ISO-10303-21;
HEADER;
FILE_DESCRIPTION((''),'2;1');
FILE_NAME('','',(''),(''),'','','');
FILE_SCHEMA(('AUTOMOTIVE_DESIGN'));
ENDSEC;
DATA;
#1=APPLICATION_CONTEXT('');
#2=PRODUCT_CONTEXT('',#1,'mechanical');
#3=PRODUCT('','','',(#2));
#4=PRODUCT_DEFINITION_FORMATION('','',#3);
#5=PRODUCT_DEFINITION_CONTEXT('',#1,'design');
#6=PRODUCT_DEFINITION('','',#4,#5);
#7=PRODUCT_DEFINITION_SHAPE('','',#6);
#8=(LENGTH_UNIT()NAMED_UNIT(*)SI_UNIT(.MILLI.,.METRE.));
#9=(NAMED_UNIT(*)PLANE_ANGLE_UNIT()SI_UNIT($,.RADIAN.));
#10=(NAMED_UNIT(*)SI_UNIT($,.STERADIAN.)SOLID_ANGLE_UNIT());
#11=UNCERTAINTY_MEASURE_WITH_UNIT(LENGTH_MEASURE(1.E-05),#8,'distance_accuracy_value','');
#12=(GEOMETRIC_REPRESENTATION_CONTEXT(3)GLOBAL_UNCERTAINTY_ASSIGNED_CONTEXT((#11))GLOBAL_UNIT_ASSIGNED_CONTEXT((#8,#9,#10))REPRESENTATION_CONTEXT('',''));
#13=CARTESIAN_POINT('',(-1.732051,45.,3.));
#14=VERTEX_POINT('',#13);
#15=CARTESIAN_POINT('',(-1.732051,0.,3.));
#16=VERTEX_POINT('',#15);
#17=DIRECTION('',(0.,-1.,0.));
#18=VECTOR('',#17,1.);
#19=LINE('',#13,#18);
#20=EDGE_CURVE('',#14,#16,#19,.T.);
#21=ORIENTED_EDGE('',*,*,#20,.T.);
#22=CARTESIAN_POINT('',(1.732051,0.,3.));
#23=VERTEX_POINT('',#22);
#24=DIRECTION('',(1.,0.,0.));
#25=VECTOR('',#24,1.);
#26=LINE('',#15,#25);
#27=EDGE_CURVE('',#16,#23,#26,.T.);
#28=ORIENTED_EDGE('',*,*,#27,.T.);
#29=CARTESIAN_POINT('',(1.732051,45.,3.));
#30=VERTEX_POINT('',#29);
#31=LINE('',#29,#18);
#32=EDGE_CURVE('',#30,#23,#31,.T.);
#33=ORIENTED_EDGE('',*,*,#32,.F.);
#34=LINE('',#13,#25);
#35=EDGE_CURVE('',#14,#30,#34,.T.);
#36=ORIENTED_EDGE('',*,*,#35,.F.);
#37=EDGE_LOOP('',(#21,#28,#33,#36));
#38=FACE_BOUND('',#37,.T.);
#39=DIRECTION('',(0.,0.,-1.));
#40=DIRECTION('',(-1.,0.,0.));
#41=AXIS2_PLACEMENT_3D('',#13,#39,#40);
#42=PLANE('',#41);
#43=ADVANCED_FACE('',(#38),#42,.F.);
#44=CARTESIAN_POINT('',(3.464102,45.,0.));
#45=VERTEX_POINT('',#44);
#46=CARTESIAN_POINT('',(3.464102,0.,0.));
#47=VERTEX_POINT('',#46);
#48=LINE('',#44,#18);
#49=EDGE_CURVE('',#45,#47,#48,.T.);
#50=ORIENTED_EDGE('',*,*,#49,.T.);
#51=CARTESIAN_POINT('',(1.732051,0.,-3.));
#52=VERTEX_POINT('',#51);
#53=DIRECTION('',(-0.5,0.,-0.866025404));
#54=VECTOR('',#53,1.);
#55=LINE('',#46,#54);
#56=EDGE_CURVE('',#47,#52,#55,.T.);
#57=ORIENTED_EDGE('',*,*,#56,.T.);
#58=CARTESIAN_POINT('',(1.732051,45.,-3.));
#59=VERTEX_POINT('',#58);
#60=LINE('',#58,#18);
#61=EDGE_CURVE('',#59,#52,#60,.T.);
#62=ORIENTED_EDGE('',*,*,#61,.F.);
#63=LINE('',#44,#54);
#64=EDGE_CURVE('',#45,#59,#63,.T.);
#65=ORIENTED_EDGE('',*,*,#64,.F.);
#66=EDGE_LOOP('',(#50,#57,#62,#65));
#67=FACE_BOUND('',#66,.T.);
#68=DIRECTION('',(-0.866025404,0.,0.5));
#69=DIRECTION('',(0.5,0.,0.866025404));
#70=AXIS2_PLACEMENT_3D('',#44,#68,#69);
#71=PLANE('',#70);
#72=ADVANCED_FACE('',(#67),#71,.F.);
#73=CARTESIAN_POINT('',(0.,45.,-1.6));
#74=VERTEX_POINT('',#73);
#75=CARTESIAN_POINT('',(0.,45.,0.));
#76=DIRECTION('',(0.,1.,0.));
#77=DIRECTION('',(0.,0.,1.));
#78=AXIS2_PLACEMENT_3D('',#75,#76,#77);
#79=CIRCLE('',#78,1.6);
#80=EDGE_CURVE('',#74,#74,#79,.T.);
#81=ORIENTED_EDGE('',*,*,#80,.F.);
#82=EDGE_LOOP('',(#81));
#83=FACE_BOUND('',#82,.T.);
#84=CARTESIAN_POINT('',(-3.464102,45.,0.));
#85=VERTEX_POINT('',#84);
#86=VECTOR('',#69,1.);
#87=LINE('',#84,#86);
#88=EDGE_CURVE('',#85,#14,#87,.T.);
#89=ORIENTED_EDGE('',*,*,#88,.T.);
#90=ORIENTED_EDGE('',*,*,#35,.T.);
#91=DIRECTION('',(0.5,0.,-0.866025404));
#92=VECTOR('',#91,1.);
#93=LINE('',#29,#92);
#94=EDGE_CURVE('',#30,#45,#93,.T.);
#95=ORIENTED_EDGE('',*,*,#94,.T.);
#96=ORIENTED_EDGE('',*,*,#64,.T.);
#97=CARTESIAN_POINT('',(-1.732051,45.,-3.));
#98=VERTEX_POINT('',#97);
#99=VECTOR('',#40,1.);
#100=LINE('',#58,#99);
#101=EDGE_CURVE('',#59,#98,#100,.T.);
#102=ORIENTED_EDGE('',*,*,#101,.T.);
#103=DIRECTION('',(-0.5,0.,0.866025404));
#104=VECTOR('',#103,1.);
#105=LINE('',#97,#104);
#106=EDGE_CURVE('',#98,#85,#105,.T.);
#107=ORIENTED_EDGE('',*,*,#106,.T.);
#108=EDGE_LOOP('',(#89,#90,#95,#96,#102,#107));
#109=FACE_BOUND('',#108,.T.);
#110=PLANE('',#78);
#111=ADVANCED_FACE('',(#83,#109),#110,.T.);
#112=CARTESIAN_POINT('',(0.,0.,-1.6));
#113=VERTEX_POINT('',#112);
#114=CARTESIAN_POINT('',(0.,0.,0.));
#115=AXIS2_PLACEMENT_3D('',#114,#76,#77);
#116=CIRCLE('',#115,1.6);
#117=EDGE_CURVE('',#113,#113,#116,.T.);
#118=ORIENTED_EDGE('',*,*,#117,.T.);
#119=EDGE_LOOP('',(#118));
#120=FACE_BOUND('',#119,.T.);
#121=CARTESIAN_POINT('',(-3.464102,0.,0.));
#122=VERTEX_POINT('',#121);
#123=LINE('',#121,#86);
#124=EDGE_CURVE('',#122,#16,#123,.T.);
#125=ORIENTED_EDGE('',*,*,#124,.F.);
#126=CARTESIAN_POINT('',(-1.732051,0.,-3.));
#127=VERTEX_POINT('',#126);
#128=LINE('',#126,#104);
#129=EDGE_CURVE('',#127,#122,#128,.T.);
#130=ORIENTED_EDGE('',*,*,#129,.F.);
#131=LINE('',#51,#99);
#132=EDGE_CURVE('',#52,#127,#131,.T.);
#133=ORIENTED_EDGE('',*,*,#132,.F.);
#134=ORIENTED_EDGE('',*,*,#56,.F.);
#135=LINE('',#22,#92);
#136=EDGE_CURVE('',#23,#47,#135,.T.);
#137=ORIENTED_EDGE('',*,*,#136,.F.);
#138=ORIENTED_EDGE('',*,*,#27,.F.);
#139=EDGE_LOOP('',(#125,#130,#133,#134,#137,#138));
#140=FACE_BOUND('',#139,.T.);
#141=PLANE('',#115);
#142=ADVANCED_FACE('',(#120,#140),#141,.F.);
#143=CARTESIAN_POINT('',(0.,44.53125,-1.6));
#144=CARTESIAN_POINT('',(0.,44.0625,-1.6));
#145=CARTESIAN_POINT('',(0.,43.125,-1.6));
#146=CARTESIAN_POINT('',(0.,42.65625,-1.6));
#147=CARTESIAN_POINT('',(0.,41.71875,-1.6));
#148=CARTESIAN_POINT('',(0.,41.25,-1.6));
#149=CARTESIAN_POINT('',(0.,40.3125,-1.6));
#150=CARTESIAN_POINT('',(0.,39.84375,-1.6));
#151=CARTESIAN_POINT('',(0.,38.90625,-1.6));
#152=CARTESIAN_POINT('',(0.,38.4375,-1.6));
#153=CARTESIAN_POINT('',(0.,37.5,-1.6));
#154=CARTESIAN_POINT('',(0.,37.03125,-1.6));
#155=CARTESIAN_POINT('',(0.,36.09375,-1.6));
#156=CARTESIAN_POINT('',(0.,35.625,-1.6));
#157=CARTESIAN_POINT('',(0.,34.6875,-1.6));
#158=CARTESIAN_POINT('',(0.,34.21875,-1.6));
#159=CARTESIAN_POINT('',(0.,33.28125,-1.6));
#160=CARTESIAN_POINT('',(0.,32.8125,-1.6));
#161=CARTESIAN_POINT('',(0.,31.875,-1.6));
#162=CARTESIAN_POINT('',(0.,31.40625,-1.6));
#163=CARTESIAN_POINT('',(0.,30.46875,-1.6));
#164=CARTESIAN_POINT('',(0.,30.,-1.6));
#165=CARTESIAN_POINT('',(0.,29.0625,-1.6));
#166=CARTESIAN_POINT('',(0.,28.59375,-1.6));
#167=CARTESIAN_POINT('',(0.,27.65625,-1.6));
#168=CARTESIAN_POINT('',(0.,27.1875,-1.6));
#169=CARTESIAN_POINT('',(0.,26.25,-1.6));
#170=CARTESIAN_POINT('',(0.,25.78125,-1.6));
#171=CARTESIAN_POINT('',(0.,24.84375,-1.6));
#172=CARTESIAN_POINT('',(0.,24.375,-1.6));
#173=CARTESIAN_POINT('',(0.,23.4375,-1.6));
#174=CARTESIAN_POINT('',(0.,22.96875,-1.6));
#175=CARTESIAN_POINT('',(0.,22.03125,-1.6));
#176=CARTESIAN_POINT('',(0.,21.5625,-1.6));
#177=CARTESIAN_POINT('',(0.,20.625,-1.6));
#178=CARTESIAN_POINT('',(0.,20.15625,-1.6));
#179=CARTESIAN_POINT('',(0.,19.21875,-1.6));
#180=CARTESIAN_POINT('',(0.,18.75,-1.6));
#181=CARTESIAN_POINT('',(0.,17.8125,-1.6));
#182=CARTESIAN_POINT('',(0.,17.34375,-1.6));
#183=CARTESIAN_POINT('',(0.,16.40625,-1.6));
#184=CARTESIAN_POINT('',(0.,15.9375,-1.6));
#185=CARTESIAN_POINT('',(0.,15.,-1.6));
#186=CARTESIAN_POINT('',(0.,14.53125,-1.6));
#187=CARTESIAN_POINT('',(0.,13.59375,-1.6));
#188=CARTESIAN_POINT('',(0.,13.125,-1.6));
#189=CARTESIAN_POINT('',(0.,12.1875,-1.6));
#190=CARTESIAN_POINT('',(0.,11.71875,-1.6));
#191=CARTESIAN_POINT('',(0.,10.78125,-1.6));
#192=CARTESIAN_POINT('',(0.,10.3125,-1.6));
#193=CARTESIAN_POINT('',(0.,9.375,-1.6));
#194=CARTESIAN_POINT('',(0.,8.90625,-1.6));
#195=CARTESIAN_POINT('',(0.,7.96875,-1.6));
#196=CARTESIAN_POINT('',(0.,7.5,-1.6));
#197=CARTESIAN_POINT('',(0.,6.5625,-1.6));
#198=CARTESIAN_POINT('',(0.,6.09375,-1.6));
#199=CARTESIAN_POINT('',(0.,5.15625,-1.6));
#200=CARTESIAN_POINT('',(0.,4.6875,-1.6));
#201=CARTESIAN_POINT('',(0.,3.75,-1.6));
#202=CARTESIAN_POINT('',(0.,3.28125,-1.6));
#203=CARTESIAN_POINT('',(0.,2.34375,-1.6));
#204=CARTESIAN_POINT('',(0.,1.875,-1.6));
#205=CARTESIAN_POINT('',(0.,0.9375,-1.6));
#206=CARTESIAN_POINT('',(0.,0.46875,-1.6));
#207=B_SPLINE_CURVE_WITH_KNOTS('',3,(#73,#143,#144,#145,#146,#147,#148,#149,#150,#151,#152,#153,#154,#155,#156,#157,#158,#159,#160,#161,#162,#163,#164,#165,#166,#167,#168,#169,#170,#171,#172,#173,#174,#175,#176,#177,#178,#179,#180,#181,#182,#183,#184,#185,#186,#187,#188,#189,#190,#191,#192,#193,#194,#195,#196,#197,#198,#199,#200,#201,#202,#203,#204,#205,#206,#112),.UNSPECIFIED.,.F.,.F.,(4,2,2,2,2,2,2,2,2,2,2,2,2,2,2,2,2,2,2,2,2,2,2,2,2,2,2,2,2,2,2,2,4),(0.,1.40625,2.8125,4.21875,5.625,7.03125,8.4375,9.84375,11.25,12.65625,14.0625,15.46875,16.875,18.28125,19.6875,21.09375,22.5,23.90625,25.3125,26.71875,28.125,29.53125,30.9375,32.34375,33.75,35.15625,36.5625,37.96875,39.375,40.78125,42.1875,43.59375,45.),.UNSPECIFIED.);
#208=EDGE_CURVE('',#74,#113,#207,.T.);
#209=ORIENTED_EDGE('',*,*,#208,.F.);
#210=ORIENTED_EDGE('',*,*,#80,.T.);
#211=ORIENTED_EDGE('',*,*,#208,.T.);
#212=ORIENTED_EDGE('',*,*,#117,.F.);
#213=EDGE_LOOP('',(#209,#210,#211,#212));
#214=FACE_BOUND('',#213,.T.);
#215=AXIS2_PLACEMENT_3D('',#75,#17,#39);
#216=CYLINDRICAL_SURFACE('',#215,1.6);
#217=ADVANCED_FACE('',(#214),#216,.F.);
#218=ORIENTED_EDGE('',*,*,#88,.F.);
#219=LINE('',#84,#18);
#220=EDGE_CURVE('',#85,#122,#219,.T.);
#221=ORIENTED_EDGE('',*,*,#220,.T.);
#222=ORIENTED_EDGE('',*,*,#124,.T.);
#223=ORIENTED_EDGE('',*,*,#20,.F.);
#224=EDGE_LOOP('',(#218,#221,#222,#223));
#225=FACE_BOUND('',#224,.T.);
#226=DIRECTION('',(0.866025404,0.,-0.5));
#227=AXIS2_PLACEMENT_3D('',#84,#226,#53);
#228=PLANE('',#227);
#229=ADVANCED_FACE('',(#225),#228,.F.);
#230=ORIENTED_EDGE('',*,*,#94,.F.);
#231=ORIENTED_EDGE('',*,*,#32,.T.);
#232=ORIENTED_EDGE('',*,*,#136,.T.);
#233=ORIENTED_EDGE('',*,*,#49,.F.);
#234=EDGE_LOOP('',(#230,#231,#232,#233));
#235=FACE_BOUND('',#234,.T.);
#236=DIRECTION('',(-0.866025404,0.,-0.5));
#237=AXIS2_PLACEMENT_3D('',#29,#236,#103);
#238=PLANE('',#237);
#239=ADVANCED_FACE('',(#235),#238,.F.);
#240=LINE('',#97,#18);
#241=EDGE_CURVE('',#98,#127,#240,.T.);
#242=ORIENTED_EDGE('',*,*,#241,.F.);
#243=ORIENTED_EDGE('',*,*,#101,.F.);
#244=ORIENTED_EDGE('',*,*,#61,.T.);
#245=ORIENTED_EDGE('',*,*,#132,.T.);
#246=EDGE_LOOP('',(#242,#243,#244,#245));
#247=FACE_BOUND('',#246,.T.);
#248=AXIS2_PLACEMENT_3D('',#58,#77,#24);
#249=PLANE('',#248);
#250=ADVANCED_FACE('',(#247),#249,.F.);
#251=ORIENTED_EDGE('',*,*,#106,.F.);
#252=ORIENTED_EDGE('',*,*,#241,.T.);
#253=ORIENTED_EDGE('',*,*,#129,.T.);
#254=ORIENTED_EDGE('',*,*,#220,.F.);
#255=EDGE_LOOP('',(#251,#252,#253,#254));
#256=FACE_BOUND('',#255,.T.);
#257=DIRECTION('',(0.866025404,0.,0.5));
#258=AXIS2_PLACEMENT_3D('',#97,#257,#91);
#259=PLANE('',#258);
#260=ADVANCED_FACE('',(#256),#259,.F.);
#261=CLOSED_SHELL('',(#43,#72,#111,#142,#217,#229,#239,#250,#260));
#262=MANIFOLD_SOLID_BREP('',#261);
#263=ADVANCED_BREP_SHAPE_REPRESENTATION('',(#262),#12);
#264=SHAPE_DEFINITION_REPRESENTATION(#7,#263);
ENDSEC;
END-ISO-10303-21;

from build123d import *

# Parameters (mm, degrees)
SKETCH_1_R      = 1.6
EXTRUDE_1_DEPTH = 45


with BuildPart() as part:
    # 草图1 → 凸台-拉伸1 (new body)
    with BuildSketch(Plane(origin=(0, 0, 0), x_dir=(1, 0, 0), z_dir=(0, 1, 0))):
        Polygon((3.464101615, 0), (1.732050808, 3), (-1.732050808, 3), (-3.464101615, 0), (-1.732050808, -3), (1.732050808, -3), align=None)
        with Locations(Location((0, 0, 0), (0, 0, 90))):
            Circle(SKETCH_1_R, mode=Mode.SUBTRACT)
    extrude(amount=EXTRUDE_1_DEPTH)


solid = part.part
